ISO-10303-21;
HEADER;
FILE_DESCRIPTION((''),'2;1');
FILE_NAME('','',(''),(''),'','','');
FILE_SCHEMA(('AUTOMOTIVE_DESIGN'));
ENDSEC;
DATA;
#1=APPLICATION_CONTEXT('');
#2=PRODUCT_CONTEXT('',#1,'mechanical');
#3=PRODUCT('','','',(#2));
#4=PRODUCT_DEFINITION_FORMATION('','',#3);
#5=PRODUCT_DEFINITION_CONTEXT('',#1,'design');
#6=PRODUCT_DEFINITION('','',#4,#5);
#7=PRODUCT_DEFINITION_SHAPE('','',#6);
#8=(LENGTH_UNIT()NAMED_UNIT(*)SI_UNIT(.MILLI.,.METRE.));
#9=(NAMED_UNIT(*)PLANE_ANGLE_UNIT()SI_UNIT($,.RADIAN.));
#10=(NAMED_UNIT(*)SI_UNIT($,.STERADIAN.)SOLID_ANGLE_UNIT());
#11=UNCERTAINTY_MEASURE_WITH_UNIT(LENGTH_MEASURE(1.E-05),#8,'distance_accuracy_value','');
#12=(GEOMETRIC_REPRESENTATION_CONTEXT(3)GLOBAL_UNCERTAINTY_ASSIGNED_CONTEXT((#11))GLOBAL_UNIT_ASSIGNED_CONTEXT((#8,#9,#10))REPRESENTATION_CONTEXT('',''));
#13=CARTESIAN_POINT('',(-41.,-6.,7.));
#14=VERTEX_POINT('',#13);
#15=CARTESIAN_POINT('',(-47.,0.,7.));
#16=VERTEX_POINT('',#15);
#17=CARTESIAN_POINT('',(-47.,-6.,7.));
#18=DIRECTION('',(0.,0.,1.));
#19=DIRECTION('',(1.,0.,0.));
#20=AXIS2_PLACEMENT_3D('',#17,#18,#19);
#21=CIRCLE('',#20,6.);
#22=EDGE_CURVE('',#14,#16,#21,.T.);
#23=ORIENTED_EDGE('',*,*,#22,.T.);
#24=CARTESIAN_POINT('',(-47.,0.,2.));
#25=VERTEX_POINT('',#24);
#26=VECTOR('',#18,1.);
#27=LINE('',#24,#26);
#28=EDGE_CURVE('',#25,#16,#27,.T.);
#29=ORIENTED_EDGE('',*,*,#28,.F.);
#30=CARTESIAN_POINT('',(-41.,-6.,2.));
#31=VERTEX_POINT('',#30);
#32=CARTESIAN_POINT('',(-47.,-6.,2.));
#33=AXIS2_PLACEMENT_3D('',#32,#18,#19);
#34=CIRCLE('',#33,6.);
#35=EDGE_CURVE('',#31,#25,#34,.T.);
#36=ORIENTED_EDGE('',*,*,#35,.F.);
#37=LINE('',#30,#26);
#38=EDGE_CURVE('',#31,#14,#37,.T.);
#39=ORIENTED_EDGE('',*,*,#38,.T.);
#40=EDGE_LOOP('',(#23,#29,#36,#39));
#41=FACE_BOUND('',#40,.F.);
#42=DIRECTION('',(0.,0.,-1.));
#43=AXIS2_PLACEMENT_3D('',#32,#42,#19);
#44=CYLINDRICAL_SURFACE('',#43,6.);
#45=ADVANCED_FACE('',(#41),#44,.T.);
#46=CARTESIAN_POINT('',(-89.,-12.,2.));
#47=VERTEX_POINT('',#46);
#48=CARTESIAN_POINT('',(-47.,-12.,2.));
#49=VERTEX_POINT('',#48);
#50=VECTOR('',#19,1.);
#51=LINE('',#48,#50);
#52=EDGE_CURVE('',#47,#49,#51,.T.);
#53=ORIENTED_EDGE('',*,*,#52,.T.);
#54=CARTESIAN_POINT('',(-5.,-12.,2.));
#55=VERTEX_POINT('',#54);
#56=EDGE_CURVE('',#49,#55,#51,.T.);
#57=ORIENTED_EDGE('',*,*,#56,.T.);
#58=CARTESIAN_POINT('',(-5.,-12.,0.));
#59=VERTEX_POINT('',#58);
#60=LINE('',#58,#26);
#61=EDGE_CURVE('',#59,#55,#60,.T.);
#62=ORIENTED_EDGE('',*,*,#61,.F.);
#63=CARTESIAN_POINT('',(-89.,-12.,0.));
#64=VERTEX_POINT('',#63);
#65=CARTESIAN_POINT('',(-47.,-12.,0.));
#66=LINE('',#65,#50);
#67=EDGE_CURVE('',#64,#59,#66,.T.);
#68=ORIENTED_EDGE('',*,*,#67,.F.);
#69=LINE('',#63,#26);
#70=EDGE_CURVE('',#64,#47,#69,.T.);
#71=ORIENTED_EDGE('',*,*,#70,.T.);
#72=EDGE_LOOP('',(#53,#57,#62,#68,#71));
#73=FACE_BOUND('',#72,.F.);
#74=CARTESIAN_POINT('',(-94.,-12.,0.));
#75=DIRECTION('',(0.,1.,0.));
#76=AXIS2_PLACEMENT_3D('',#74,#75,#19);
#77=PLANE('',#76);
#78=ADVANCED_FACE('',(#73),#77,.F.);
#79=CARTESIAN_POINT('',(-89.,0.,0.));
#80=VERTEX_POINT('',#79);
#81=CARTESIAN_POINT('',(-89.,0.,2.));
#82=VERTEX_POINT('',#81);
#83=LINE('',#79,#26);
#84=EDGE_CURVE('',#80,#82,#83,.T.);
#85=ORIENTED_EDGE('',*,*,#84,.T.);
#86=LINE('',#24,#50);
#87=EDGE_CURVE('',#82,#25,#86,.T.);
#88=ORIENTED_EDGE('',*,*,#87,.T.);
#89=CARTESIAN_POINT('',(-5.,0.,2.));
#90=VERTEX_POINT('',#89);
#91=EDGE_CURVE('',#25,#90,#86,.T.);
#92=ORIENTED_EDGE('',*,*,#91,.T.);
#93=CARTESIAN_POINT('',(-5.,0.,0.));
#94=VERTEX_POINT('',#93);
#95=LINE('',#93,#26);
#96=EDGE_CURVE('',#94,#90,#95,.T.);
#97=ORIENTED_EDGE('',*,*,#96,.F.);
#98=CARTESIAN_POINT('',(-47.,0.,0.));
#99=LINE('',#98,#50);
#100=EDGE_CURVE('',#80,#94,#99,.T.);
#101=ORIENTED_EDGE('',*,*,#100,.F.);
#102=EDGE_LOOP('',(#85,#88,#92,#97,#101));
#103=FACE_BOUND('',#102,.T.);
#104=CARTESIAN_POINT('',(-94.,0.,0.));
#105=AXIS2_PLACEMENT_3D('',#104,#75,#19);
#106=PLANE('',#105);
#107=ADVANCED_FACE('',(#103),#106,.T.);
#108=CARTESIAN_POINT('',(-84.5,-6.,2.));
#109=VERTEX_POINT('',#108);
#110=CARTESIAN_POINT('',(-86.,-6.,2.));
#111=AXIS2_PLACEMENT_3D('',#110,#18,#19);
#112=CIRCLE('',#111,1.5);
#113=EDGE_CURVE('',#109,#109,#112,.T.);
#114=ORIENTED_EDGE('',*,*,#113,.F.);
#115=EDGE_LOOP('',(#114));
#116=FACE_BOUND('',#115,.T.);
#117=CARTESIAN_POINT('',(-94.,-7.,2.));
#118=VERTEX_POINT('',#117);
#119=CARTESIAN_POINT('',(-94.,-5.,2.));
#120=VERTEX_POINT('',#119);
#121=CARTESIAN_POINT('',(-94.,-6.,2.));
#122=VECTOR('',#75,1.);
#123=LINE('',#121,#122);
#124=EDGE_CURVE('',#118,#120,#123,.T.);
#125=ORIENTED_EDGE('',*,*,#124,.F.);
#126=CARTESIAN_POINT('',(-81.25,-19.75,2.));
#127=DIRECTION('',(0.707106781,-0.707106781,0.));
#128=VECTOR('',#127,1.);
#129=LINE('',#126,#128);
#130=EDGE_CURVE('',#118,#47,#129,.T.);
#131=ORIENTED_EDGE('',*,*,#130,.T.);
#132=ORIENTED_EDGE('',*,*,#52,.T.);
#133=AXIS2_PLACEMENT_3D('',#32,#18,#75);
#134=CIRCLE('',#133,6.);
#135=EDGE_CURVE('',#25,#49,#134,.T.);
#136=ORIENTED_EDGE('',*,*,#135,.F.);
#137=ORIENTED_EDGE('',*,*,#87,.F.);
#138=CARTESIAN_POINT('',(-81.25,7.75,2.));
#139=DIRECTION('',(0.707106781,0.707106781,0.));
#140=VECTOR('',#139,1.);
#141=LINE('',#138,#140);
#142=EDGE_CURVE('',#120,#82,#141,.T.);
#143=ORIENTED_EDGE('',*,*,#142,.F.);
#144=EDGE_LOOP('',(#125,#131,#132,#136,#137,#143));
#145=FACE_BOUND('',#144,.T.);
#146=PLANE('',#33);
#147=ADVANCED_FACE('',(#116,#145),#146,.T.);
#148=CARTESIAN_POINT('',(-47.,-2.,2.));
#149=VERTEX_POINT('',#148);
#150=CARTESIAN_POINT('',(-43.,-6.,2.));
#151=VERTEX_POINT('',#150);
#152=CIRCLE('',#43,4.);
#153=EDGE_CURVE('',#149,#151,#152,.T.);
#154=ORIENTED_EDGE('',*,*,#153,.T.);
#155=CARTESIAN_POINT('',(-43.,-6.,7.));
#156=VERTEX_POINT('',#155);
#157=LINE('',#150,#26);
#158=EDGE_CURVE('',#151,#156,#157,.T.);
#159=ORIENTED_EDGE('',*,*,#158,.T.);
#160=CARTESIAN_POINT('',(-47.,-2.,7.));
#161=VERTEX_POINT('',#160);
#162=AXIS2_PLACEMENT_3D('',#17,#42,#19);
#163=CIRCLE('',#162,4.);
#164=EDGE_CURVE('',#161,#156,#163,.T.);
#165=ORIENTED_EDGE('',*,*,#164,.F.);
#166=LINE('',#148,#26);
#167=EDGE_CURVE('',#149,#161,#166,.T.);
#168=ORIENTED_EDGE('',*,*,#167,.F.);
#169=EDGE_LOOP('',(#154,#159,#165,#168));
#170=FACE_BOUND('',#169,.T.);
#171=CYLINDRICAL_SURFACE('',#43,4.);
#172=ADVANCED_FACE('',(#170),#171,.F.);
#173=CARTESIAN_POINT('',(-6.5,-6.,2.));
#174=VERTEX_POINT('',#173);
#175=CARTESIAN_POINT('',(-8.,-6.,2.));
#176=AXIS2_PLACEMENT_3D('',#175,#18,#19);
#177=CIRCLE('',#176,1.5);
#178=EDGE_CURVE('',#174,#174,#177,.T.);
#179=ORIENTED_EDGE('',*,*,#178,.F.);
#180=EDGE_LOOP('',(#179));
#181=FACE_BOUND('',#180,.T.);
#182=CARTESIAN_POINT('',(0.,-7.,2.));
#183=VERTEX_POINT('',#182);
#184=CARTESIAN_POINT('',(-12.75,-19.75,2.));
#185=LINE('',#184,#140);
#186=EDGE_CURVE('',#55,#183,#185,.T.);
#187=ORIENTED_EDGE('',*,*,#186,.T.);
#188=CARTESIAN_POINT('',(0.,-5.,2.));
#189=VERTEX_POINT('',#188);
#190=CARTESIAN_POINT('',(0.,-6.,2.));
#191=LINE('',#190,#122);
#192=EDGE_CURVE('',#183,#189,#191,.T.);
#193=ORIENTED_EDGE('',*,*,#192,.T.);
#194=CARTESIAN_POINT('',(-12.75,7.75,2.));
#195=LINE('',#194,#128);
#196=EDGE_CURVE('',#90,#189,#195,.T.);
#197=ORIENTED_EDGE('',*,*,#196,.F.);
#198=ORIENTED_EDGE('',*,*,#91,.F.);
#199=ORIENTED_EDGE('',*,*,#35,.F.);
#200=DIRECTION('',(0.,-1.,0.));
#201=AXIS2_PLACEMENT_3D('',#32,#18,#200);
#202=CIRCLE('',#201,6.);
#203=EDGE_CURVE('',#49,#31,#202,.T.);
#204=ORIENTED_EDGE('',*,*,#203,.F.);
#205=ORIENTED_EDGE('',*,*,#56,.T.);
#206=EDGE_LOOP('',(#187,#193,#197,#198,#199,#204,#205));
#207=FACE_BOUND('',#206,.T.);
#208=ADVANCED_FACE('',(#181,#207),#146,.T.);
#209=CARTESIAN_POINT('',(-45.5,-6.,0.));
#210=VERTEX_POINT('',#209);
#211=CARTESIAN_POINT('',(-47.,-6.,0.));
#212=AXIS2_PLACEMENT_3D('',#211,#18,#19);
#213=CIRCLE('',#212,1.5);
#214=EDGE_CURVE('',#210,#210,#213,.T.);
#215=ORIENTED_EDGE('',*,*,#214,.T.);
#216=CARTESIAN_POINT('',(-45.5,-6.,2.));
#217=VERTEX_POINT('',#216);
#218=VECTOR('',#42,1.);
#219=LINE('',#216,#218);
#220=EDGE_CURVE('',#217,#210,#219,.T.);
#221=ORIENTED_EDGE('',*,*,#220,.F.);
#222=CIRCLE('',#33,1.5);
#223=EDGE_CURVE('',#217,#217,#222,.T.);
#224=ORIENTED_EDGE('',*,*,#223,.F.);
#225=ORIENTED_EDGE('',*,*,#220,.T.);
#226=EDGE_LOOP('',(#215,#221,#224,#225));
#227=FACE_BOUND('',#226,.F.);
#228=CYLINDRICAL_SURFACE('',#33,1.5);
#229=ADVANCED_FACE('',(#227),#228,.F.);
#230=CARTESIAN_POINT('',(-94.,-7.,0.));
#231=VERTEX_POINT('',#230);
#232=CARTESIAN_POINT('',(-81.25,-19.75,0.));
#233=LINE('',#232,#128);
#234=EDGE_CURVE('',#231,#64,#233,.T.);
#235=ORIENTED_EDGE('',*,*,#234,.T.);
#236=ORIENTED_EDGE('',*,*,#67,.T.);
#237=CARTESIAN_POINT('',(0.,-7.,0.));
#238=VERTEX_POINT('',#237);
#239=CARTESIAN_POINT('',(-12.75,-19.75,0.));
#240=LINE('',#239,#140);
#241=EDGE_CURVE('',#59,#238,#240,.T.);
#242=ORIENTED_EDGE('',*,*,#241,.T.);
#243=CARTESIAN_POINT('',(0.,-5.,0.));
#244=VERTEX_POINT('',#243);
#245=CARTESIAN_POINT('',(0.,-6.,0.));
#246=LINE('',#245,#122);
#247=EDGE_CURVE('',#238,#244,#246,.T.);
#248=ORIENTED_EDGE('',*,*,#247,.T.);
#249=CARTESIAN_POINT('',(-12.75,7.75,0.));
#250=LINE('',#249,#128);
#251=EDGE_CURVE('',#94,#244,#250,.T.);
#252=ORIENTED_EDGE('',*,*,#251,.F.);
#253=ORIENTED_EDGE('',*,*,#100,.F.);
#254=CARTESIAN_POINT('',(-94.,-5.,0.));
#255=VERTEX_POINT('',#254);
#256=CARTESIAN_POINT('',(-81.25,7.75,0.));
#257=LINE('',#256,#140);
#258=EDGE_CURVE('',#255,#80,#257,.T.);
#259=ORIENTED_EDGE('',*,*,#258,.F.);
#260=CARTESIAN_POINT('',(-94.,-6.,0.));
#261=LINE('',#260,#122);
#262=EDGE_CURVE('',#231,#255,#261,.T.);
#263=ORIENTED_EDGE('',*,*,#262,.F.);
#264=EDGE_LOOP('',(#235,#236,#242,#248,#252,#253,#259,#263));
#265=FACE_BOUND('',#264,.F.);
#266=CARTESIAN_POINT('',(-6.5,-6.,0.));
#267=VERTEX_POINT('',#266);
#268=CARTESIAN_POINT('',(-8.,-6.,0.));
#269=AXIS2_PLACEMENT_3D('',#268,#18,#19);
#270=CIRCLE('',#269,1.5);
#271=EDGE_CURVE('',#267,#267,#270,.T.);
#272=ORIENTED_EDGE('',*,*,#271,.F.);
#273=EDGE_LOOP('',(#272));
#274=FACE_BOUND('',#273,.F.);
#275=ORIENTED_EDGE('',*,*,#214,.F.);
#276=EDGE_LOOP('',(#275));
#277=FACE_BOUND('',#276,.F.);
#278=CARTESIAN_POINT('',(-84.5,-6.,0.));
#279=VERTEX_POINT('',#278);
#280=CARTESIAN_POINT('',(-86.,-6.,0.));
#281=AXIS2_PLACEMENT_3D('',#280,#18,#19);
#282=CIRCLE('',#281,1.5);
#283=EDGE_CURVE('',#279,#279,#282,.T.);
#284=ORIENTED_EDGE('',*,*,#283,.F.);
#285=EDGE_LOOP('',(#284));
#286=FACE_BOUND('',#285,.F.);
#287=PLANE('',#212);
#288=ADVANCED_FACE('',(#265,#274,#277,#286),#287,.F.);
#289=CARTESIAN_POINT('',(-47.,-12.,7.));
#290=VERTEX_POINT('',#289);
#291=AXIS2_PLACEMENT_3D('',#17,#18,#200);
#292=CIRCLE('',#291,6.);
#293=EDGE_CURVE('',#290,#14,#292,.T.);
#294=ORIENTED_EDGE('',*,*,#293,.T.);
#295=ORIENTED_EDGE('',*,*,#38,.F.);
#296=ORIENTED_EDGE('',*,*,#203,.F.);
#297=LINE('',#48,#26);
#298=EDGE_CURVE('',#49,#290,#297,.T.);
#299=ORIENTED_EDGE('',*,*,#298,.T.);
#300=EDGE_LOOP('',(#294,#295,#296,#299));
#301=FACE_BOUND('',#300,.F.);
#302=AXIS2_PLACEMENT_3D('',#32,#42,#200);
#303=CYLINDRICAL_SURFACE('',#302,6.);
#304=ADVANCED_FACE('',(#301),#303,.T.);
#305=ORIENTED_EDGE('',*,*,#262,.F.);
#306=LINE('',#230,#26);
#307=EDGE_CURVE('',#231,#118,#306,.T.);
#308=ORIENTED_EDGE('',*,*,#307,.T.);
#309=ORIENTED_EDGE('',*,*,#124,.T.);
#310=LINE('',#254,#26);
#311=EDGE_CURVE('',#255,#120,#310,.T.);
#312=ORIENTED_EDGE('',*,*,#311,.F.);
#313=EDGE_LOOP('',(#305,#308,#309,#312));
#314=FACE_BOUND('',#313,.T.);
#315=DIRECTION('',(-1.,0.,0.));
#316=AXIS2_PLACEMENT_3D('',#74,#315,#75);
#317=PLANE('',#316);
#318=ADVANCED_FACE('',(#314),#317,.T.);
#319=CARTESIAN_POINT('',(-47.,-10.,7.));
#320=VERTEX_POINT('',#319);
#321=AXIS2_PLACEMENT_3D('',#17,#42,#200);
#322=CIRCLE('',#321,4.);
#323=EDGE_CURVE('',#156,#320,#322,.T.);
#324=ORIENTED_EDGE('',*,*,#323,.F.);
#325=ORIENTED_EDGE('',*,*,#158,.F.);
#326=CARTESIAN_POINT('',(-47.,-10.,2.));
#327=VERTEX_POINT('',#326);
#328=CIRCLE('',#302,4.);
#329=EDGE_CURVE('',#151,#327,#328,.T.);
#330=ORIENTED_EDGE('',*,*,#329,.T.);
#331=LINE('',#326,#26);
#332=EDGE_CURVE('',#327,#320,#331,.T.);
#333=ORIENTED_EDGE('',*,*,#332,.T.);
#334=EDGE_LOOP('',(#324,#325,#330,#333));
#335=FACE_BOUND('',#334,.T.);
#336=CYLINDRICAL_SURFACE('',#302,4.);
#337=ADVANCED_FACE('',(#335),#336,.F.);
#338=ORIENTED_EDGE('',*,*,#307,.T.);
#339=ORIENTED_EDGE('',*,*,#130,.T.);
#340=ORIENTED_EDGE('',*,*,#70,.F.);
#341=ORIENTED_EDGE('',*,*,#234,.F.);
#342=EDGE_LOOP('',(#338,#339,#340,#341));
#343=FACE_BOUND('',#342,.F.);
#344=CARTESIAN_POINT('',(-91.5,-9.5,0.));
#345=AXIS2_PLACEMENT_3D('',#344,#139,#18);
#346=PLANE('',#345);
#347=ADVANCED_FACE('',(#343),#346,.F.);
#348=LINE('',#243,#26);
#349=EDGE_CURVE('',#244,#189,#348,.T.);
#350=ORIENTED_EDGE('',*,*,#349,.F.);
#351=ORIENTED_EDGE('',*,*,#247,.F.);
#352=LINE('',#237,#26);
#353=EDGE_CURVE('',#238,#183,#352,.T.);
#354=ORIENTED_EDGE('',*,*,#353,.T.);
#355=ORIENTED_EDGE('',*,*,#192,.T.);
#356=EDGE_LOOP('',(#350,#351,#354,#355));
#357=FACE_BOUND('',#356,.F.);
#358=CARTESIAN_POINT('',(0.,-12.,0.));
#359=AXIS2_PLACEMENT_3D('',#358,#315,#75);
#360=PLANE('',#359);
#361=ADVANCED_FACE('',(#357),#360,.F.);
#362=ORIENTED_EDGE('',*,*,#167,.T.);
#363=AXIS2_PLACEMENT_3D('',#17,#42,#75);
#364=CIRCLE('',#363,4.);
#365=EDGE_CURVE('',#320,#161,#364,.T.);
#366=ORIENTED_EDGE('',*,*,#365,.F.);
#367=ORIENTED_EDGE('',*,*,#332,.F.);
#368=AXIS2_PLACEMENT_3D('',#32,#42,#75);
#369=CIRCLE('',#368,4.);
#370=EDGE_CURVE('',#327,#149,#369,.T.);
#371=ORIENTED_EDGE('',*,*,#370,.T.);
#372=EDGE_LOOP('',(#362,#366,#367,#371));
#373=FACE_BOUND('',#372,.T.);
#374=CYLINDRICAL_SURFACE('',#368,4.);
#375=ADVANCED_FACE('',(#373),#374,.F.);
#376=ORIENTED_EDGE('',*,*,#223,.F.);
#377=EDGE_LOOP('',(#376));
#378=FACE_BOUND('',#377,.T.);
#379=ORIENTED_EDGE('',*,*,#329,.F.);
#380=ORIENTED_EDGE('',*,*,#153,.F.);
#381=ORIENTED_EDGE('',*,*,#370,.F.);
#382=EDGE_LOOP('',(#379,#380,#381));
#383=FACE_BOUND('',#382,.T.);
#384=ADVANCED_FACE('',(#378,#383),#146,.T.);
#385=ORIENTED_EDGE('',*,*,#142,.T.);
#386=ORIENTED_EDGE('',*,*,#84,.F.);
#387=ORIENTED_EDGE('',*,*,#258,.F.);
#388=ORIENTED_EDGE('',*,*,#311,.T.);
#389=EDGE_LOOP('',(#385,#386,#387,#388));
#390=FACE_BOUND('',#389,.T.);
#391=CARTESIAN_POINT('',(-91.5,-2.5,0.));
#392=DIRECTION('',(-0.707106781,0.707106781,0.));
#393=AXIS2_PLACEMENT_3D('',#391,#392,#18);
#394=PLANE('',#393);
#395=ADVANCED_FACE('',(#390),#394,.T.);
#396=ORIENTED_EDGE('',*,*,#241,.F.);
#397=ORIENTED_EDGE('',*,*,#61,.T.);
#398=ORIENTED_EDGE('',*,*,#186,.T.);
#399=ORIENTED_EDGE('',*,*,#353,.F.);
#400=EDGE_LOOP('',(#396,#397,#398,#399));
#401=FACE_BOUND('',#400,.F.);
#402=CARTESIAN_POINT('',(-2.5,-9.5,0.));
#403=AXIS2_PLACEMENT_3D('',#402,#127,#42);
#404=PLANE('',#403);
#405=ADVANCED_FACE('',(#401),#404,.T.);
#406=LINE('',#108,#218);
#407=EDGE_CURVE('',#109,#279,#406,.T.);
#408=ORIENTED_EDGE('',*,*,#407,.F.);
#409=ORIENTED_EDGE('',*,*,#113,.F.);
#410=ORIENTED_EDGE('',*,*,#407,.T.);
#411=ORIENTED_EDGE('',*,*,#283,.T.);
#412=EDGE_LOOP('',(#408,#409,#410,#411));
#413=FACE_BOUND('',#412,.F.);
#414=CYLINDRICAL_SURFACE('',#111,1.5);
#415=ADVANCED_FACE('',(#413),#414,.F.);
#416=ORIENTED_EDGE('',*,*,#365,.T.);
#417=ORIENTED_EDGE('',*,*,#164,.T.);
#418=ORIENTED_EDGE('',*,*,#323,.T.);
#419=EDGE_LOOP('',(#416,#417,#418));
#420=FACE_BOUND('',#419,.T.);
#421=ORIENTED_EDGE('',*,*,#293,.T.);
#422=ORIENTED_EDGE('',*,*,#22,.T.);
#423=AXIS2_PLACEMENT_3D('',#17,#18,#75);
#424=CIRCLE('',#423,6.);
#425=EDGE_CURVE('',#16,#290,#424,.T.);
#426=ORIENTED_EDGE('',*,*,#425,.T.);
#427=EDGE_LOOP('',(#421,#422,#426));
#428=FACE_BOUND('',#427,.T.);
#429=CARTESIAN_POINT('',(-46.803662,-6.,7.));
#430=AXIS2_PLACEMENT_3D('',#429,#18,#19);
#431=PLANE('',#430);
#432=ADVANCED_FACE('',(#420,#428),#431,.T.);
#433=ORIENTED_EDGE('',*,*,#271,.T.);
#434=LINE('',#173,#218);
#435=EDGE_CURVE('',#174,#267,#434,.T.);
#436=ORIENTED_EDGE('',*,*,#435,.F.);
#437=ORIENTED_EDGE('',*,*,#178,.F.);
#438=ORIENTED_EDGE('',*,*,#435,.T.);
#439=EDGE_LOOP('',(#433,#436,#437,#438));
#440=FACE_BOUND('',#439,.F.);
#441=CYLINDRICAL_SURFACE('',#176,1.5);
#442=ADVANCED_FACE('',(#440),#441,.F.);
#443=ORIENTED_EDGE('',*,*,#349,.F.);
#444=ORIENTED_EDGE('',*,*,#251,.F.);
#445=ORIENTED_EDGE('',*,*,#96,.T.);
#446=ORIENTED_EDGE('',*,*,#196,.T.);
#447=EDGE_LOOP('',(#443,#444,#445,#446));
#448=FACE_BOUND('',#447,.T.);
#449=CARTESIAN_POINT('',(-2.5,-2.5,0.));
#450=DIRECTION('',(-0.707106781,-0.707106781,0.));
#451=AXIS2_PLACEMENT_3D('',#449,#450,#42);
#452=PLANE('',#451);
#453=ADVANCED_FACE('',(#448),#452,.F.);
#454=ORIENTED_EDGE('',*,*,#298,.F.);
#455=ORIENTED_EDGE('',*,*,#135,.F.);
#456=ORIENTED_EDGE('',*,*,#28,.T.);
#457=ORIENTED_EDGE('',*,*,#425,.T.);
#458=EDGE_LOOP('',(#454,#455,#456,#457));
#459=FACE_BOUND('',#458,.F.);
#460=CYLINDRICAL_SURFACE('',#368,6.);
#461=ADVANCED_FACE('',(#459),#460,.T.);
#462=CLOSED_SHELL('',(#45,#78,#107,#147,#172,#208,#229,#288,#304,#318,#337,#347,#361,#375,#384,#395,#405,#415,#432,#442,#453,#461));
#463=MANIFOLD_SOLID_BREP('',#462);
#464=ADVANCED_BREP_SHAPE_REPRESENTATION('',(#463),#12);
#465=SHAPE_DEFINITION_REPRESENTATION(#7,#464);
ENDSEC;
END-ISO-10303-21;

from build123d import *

# Parameters (mm, degrees)
F0_W     = 94
F0_H     = 12
F1_DEPTH = 2
F3_DEPTH = 5
F4_T     = -2
F5_SIZE  = 5
F6_R     = 1.5
F7_DEPTH = 25
F8_R     = 1.5
F9_DEPTH = 25


with BuildPart() as f1:
    # F0 (on Top) → F1 (new body)
    with BuildSketch(Plane.XY):
        with Locations((-47, -6)):
            Rectangle(F0_W, F0_H)
    extrude(amount=F1_DEPTH)

    # F2 (on face) → F3 (join)
    with BuildSketch(Plane.XY.offset(2)):
        with BuildLine():
            ThreePointArc((-47, -12), (-42.7573593129, -10.2426406871), (-41, -6))
            ThreePointArc((-41, -6), (-42.7573593129, -1.7573593129), (-47, 0))
            ThreePointArc((-47, 0), (-53, -6), (-47, -12))
        make_face()
    extrude(amount=F3_DEPTH)

    # F4
    f4_openings = [f1.faces().sort_by_distance(p)[0] for p in [
        (-47, -6, 7),
    ]]
    offset(amount=F4_T, openings=f4_openings, kind=Kind.INTERSECTION)

    # F5
    f5_edges = [f1.edges().sort_by_distance(p)[0] for p in [
        (-94, -12, 1),
        (-94, 0, 1),
        (0, 0, 1),
        (0, -12, 1),
    ]]
    chamfer(f5_edges, length=F5_SIZE)

    # F6 (on face) → F7 (cut)
    with BuildSketch(Plane.XY.offset(2)):
        with Locations((-47, -6)):
            Circle(F6_R)
    extrude(amount=-F7_DEPTH, mode=Mode.SUBTRACT)

    # F8 (on face) → F9 (cut)
    with BuildSketch(Plane.XY.offset(2)):
        with Locations((-8, -6)):
            Circle(F8_R)
        with Locations((-86, -6)):
            Circle(F8_R)
    extrude(amount=-F9_DEPTH, mode=Mode.SUBTRACT)


solid = f1.part
